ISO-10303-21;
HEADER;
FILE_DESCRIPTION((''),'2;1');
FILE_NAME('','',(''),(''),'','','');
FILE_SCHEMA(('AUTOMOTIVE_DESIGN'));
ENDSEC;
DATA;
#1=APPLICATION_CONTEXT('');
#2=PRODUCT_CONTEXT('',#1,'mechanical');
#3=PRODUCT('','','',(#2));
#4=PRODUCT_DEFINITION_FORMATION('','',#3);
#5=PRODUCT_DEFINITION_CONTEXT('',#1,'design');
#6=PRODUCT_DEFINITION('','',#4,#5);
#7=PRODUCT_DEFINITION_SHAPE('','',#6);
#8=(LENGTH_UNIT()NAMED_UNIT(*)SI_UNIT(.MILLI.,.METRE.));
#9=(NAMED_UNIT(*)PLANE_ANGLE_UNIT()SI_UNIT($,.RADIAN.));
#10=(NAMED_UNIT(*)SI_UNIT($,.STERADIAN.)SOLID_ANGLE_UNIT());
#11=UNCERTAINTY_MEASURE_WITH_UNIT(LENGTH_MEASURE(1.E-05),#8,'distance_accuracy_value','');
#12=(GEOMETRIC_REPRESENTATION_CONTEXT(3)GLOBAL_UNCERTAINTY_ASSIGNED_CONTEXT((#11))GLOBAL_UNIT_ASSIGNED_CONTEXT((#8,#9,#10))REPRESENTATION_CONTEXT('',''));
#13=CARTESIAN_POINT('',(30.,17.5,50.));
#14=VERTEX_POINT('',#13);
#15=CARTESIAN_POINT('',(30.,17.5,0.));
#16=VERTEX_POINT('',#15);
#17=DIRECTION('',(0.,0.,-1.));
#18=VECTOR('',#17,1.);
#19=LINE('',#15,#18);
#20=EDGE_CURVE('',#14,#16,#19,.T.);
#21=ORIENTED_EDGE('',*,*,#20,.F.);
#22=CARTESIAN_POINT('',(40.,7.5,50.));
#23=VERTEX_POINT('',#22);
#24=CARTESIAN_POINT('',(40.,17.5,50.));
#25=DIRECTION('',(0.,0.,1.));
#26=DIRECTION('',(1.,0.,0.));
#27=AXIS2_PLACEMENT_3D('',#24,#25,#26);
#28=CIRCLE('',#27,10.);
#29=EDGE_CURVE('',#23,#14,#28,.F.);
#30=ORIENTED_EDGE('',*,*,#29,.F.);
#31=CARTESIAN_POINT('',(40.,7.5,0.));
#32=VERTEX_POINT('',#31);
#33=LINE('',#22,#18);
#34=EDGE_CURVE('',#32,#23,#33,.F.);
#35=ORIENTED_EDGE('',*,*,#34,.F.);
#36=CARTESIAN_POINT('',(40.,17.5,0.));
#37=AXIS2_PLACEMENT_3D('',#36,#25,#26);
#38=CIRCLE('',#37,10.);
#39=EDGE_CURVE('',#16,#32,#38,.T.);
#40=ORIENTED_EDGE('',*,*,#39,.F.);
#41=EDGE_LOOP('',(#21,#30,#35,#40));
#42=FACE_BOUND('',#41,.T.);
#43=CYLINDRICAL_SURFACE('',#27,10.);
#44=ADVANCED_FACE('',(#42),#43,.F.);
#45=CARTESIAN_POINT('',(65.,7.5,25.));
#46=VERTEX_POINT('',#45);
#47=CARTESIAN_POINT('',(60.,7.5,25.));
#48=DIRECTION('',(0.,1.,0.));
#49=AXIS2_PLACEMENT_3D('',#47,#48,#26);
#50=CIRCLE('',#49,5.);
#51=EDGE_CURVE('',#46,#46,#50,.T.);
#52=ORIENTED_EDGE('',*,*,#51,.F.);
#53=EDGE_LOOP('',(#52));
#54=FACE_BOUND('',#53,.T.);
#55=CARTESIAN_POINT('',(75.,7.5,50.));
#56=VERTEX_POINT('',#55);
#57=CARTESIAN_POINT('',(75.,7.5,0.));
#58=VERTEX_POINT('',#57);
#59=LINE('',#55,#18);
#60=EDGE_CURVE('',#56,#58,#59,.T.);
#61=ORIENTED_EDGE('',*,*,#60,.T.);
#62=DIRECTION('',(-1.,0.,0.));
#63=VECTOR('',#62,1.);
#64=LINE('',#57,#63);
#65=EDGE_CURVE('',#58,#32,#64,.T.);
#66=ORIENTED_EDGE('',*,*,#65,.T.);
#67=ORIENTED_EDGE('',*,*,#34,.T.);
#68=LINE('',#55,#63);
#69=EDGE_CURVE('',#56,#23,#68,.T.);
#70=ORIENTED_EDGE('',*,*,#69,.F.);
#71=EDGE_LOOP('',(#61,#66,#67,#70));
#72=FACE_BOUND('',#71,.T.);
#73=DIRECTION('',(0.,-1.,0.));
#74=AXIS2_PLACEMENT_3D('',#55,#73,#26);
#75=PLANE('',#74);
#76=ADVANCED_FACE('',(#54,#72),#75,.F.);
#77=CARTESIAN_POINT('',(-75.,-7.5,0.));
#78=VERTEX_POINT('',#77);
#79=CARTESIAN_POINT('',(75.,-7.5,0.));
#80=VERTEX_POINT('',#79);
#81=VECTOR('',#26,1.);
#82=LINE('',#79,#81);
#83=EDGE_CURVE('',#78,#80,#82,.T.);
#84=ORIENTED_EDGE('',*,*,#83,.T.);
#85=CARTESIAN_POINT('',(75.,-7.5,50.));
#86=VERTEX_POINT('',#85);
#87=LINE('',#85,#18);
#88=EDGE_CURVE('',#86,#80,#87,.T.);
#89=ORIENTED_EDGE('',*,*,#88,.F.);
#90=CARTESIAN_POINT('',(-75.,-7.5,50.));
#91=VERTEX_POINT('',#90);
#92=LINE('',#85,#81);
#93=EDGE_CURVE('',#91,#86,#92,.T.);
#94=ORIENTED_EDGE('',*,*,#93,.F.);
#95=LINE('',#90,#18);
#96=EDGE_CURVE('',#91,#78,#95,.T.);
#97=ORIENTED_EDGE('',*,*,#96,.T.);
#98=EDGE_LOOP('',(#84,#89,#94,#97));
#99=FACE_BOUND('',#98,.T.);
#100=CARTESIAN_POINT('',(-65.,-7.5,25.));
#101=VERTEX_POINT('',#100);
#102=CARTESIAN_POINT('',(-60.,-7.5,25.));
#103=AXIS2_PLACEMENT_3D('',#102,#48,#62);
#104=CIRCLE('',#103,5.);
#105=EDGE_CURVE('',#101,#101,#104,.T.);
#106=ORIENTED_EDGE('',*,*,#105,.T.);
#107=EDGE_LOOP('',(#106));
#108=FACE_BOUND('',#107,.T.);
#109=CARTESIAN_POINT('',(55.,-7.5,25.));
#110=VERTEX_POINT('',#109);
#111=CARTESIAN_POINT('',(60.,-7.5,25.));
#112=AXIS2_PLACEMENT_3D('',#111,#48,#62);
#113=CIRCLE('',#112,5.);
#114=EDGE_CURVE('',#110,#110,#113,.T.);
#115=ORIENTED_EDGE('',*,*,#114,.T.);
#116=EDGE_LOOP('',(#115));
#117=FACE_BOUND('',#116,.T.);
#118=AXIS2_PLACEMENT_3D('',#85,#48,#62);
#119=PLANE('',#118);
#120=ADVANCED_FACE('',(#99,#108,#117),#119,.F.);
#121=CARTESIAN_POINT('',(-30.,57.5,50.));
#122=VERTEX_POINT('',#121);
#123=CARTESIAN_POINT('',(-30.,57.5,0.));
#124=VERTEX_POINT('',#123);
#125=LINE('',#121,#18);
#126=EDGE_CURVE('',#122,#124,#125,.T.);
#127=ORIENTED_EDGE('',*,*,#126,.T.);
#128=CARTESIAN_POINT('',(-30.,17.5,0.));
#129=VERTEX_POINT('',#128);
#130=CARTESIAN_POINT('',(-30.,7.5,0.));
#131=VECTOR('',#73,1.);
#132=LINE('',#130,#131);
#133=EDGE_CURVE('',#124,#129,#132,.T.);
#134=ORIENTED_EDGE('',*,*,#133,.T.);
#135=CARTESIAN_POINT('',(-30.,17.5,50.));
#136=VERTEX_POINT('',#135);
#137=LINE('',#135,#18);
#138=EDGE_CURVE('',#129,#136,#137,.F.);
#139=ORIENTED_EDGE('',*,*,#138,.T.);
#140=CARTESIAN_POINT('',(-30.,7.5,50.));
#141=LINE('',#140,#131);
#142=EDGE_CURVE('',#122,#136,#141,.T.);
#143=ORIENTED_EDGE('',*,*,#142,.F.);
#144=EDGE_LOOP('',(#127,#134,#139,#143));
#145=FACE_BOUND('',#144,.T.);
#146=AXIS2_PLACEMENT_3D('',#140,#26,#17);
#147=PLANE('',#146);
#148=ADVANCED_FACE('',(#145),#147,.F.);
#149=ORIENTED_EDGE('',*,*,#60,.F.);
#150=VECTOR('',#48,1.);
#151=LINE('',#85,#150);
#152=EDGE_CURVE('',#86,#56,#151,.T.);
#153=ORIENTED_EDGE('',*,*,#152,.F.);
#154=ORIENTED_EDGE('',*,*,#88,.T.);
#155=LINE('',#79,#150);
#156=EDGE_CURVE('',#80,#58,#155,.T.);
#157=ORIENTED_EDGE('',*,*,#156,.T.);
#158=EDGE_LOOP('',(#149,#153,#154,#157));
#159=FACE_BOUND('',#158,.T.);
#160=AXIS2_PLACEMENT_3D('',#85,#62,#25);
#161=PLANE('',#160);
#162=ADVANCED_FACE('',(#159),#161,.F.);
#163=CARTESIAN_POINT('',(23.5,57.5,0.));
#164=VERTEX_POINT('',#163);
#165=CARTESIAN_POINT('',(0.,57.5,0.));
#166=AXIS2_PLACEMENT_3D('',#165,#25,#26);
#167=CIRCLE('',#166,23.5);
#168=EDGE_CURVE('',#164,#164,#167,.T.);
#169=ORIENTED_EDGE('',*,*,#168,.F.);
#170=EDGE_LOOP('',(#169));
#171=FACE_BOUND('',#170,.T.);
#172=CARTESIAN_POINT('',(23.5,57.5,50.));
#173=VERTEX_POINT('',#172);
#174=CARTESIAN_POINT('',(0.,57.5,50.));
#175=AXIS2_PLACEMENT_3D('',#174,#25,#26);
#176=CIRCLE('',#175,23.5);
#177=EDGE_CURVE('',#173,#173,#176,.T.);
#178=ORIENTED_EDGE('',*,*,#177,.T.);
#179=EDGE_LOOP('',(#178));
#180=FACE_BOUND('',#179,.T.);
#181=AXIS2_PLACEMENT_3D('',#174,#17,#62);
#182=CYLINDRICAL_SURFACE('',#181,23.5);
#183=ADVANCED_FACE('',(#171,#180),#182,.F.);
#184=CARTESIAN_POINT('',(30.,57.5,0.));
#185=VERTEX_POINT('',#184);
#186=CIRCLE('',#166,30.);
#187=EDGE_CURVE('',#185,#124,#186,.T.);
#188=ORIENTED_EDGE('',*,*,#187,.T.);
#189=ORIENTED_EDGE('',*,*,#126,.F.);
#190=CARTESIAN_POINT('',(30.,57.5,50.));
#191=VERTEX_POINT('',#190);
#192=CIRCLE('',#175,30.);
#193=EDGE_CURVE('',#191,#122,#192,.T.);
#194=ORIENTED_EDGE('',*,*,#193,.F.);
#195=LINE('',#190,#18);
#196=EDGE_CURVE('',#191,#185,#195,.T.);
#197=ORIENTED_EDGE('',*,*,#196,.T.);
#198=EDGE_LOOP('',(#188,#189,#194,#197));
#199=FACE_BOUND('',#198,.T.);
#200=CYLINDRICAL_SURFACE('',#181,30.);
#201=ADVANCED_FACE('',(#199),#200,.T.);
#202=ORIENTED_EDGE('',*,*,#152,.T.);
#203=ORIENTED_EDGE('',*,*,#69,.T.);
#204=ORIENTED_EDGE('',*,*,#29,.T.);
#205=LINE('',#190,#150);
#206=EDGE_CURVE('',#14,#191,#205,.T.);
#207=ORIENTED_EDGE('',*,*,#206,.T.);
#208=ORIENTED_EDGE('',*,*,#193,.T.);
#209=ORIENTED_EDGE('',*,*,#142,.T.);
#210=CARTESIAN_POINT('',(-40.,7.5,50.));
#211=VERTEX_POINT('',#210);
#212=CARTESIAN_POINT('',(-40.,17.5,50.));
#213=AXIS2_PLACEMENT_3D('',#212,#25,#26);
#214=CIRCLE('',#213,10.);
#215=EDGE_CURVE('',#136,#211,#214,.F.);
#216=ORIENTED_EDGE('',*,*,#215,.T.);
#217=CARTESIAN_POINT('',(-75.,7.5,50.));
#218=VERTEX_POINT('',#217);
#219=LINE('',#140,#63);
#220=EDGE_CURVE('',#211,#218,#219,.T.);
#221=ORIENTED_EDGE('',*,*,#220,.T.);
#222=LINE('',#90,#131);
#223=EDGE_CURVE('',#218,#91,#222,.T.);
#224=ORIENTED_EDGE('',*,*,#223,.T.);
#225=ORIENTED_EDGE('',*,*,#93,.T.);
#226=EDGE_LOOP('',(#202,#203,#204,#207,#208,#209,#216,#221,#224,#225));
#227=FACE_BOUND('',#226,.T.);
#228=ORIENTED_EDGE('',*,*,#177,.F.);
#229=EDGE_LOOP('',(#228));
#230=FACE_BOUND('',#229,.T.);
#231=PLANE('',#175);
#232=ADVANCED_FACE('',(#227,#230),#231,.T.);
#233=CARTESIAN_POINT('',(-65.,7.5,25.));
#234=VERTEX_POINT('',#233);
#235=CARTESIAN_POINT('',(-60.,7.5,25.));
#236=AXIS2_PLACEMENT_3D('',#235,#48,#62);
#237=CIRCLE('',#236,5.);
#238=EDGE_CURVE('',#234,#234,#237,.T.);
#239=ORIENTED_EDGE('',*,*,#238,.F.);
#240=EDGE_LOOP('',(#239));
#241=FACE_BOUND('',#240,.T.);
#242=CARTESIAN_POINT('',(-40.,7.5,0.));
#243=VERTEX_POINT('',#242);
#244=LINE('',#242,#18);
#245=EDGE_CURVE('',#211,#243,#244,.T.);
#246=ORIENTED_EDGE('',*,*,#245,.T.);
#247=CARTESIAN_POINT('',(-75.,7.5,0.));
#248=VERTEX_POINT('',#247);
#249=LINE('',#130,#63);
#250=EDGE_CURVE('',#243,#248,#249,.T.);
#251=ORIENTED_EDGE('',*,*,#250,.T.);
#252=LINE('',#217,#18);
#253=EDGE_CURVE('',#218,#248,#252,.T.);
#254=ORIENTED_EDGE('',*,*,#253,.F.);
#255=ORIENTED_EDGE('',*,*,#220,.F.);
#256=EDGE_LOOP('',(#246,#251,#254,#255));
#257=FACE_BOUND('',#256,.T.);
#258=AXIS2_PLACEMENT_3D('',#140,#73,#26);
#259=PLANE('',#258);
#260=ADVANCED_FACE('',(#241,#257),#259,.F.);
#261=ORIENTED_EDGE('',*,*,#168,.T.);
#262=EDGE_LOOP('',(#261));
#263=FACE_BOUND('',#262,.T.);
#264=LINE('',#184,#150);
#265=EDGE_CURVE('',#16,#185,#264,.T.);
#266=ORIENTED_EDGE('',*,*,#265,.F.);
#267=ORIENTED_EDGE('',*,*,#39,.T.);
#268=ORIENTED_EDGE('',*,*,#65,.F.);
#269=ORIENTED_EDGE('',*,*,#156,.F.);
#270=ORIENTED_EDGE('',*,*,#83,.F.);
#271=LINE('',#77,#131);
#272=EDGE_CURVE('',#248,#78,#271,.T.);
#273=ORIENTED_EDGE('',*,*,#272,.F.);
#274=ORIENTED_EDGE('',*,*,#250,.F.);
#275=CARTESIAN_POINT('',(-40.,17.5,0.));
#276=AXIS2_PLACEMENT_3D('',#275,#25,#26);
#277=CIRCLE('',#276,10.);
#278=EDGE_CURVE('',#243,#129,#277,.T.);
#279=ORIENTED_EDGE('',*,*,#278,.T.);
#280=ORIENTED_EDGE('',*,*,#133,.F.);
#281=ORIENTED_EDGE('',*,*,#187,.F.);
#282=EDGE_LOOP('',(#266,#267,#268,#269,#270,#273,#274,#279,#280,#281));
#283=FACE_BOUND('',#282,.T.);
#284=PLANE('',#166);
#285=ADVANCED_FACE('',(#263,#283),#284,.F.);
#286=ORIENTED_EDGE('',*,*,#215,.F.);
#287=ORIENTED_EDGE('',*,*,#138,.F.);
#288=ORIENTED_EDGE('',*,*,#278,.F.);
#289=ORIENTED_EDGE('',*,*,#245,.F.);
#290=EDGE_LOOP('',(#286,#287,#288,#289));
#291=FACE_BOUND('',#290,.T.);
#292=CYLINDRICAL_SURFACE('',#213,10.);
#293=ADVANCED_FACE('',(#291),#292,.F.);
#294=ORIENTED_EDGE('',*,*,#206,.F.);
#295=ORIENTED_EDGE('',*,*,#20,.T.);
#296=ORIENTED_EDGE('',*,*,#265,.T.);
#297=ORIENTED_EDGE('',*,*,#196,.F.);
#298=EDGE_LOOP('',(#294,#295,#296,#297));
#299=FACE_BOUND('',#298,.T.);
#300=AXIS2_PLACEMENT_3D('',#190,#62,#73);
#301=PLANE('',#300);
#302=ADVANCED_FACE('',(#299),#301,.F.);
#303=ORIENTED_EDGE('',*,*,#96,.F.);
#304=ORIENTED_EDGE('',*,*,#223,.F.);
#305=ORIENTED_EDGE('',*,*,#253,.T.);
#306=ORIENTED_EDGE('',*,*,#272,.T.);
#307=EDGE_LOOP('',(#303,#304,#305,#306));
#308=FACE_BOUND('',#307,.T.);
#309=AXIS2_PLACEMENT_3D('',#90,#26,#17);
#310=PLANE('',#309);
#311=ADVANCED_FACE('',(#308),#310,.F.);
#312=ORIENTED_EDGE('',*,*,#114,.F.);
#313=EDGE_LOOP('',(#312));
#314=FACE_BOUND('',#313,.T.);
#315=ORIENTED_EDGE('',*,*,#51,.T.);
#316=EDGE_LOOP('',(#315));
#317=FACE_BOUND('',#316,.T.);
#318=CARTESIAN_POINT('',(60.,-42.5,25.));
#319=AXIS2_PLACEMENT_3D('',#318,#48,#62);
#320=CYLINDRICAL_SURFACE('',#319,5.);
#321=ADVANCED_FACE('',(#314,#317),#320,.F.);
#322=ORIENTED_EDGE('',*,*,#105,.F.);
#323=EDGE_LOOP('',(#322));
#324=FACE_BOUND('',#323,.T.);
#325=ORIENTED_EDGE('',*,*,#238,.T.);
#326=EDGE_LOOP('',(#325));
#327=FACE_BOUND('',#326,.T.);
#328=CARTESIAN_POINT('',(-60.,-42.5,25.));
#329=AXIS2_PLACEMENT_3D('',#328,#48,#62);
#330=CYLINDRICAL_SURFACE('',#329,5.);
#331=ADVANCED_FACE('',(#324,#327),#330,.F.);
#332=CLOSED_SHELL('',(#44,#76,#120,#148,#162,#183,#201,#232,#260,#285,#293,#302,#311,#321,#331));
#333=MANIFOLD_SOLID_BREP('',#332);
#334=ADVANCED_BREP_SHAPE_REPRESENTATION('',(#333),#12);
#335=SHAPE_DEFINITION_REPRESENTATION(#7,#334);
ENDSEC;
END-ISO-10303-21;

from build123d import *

# Parameters (mm, degrees)
IZIM1_R                     = 23.5
Y_KSEKLIK_EKSTR_ZYON1_DEPTH = 50
RADYUS1_R                   = 10
IZIM2_R                     = 5
KES_EKSTR_ZYON1_DEPTH       = 50


with BuildPart() as part:
    # Çizim1 → Yükseklik-Ekstrüzyon1 (new body)
    with BuildSketch(Plane.XY):
        with BuildLine():
            Line((-30, 7.5), (-30, 57.5))
            ThreePointArc((-30, 57.5), (0, 87.5), (30, 57.5))
            Line((30, 57.5), (30, 7.5))
            Line((30, 7.5), (75, 7.5))
            Line((75, 7.5), (75, -7.5))
            Line((75, -7.5), (-75, -7.5))
            Line((-75, -7.5), (-75, 7.5))
            Line((-75, 7.5), (-30, 7.5))
        make_face()
        with Locations((0, 57.5)):
            Circle(IZIM1_R, mode=Mode.SUBTRACT)
    extrude(amount=Y_KSEKLIK_EKSTR_ZYON1_DEPTH)

    # Radyus1
    radyus1_edges = [part.edges().sort_by_distance(p)[0] for p in [
        (-30, 7.5, 25),
        (30, 7.5, 25),
    ]]
    fillet(radyus1_edges, radius=RADYUS1_R)

    # Çizim2 → Kes-Ekstrüzyon1 (cut)
    with BuildSketch(Plane(origin=(0, 7.5, 0), x_dir=(1, 0, 0), z_dir=(0, 1, 0))):
        with Locations(Location((-60, -25, 0), (0, 0, 180))):
            Circle(IZIM2_R)
        with Locations(Location((60, -25, 0), (0, 0, 180))):
            Circle(IZIM2_R)
    extrude(amount=-KES_EKSTR_ZYON1_DEPTH, mode=Mode.SUBTRACT)


solid = part.part
